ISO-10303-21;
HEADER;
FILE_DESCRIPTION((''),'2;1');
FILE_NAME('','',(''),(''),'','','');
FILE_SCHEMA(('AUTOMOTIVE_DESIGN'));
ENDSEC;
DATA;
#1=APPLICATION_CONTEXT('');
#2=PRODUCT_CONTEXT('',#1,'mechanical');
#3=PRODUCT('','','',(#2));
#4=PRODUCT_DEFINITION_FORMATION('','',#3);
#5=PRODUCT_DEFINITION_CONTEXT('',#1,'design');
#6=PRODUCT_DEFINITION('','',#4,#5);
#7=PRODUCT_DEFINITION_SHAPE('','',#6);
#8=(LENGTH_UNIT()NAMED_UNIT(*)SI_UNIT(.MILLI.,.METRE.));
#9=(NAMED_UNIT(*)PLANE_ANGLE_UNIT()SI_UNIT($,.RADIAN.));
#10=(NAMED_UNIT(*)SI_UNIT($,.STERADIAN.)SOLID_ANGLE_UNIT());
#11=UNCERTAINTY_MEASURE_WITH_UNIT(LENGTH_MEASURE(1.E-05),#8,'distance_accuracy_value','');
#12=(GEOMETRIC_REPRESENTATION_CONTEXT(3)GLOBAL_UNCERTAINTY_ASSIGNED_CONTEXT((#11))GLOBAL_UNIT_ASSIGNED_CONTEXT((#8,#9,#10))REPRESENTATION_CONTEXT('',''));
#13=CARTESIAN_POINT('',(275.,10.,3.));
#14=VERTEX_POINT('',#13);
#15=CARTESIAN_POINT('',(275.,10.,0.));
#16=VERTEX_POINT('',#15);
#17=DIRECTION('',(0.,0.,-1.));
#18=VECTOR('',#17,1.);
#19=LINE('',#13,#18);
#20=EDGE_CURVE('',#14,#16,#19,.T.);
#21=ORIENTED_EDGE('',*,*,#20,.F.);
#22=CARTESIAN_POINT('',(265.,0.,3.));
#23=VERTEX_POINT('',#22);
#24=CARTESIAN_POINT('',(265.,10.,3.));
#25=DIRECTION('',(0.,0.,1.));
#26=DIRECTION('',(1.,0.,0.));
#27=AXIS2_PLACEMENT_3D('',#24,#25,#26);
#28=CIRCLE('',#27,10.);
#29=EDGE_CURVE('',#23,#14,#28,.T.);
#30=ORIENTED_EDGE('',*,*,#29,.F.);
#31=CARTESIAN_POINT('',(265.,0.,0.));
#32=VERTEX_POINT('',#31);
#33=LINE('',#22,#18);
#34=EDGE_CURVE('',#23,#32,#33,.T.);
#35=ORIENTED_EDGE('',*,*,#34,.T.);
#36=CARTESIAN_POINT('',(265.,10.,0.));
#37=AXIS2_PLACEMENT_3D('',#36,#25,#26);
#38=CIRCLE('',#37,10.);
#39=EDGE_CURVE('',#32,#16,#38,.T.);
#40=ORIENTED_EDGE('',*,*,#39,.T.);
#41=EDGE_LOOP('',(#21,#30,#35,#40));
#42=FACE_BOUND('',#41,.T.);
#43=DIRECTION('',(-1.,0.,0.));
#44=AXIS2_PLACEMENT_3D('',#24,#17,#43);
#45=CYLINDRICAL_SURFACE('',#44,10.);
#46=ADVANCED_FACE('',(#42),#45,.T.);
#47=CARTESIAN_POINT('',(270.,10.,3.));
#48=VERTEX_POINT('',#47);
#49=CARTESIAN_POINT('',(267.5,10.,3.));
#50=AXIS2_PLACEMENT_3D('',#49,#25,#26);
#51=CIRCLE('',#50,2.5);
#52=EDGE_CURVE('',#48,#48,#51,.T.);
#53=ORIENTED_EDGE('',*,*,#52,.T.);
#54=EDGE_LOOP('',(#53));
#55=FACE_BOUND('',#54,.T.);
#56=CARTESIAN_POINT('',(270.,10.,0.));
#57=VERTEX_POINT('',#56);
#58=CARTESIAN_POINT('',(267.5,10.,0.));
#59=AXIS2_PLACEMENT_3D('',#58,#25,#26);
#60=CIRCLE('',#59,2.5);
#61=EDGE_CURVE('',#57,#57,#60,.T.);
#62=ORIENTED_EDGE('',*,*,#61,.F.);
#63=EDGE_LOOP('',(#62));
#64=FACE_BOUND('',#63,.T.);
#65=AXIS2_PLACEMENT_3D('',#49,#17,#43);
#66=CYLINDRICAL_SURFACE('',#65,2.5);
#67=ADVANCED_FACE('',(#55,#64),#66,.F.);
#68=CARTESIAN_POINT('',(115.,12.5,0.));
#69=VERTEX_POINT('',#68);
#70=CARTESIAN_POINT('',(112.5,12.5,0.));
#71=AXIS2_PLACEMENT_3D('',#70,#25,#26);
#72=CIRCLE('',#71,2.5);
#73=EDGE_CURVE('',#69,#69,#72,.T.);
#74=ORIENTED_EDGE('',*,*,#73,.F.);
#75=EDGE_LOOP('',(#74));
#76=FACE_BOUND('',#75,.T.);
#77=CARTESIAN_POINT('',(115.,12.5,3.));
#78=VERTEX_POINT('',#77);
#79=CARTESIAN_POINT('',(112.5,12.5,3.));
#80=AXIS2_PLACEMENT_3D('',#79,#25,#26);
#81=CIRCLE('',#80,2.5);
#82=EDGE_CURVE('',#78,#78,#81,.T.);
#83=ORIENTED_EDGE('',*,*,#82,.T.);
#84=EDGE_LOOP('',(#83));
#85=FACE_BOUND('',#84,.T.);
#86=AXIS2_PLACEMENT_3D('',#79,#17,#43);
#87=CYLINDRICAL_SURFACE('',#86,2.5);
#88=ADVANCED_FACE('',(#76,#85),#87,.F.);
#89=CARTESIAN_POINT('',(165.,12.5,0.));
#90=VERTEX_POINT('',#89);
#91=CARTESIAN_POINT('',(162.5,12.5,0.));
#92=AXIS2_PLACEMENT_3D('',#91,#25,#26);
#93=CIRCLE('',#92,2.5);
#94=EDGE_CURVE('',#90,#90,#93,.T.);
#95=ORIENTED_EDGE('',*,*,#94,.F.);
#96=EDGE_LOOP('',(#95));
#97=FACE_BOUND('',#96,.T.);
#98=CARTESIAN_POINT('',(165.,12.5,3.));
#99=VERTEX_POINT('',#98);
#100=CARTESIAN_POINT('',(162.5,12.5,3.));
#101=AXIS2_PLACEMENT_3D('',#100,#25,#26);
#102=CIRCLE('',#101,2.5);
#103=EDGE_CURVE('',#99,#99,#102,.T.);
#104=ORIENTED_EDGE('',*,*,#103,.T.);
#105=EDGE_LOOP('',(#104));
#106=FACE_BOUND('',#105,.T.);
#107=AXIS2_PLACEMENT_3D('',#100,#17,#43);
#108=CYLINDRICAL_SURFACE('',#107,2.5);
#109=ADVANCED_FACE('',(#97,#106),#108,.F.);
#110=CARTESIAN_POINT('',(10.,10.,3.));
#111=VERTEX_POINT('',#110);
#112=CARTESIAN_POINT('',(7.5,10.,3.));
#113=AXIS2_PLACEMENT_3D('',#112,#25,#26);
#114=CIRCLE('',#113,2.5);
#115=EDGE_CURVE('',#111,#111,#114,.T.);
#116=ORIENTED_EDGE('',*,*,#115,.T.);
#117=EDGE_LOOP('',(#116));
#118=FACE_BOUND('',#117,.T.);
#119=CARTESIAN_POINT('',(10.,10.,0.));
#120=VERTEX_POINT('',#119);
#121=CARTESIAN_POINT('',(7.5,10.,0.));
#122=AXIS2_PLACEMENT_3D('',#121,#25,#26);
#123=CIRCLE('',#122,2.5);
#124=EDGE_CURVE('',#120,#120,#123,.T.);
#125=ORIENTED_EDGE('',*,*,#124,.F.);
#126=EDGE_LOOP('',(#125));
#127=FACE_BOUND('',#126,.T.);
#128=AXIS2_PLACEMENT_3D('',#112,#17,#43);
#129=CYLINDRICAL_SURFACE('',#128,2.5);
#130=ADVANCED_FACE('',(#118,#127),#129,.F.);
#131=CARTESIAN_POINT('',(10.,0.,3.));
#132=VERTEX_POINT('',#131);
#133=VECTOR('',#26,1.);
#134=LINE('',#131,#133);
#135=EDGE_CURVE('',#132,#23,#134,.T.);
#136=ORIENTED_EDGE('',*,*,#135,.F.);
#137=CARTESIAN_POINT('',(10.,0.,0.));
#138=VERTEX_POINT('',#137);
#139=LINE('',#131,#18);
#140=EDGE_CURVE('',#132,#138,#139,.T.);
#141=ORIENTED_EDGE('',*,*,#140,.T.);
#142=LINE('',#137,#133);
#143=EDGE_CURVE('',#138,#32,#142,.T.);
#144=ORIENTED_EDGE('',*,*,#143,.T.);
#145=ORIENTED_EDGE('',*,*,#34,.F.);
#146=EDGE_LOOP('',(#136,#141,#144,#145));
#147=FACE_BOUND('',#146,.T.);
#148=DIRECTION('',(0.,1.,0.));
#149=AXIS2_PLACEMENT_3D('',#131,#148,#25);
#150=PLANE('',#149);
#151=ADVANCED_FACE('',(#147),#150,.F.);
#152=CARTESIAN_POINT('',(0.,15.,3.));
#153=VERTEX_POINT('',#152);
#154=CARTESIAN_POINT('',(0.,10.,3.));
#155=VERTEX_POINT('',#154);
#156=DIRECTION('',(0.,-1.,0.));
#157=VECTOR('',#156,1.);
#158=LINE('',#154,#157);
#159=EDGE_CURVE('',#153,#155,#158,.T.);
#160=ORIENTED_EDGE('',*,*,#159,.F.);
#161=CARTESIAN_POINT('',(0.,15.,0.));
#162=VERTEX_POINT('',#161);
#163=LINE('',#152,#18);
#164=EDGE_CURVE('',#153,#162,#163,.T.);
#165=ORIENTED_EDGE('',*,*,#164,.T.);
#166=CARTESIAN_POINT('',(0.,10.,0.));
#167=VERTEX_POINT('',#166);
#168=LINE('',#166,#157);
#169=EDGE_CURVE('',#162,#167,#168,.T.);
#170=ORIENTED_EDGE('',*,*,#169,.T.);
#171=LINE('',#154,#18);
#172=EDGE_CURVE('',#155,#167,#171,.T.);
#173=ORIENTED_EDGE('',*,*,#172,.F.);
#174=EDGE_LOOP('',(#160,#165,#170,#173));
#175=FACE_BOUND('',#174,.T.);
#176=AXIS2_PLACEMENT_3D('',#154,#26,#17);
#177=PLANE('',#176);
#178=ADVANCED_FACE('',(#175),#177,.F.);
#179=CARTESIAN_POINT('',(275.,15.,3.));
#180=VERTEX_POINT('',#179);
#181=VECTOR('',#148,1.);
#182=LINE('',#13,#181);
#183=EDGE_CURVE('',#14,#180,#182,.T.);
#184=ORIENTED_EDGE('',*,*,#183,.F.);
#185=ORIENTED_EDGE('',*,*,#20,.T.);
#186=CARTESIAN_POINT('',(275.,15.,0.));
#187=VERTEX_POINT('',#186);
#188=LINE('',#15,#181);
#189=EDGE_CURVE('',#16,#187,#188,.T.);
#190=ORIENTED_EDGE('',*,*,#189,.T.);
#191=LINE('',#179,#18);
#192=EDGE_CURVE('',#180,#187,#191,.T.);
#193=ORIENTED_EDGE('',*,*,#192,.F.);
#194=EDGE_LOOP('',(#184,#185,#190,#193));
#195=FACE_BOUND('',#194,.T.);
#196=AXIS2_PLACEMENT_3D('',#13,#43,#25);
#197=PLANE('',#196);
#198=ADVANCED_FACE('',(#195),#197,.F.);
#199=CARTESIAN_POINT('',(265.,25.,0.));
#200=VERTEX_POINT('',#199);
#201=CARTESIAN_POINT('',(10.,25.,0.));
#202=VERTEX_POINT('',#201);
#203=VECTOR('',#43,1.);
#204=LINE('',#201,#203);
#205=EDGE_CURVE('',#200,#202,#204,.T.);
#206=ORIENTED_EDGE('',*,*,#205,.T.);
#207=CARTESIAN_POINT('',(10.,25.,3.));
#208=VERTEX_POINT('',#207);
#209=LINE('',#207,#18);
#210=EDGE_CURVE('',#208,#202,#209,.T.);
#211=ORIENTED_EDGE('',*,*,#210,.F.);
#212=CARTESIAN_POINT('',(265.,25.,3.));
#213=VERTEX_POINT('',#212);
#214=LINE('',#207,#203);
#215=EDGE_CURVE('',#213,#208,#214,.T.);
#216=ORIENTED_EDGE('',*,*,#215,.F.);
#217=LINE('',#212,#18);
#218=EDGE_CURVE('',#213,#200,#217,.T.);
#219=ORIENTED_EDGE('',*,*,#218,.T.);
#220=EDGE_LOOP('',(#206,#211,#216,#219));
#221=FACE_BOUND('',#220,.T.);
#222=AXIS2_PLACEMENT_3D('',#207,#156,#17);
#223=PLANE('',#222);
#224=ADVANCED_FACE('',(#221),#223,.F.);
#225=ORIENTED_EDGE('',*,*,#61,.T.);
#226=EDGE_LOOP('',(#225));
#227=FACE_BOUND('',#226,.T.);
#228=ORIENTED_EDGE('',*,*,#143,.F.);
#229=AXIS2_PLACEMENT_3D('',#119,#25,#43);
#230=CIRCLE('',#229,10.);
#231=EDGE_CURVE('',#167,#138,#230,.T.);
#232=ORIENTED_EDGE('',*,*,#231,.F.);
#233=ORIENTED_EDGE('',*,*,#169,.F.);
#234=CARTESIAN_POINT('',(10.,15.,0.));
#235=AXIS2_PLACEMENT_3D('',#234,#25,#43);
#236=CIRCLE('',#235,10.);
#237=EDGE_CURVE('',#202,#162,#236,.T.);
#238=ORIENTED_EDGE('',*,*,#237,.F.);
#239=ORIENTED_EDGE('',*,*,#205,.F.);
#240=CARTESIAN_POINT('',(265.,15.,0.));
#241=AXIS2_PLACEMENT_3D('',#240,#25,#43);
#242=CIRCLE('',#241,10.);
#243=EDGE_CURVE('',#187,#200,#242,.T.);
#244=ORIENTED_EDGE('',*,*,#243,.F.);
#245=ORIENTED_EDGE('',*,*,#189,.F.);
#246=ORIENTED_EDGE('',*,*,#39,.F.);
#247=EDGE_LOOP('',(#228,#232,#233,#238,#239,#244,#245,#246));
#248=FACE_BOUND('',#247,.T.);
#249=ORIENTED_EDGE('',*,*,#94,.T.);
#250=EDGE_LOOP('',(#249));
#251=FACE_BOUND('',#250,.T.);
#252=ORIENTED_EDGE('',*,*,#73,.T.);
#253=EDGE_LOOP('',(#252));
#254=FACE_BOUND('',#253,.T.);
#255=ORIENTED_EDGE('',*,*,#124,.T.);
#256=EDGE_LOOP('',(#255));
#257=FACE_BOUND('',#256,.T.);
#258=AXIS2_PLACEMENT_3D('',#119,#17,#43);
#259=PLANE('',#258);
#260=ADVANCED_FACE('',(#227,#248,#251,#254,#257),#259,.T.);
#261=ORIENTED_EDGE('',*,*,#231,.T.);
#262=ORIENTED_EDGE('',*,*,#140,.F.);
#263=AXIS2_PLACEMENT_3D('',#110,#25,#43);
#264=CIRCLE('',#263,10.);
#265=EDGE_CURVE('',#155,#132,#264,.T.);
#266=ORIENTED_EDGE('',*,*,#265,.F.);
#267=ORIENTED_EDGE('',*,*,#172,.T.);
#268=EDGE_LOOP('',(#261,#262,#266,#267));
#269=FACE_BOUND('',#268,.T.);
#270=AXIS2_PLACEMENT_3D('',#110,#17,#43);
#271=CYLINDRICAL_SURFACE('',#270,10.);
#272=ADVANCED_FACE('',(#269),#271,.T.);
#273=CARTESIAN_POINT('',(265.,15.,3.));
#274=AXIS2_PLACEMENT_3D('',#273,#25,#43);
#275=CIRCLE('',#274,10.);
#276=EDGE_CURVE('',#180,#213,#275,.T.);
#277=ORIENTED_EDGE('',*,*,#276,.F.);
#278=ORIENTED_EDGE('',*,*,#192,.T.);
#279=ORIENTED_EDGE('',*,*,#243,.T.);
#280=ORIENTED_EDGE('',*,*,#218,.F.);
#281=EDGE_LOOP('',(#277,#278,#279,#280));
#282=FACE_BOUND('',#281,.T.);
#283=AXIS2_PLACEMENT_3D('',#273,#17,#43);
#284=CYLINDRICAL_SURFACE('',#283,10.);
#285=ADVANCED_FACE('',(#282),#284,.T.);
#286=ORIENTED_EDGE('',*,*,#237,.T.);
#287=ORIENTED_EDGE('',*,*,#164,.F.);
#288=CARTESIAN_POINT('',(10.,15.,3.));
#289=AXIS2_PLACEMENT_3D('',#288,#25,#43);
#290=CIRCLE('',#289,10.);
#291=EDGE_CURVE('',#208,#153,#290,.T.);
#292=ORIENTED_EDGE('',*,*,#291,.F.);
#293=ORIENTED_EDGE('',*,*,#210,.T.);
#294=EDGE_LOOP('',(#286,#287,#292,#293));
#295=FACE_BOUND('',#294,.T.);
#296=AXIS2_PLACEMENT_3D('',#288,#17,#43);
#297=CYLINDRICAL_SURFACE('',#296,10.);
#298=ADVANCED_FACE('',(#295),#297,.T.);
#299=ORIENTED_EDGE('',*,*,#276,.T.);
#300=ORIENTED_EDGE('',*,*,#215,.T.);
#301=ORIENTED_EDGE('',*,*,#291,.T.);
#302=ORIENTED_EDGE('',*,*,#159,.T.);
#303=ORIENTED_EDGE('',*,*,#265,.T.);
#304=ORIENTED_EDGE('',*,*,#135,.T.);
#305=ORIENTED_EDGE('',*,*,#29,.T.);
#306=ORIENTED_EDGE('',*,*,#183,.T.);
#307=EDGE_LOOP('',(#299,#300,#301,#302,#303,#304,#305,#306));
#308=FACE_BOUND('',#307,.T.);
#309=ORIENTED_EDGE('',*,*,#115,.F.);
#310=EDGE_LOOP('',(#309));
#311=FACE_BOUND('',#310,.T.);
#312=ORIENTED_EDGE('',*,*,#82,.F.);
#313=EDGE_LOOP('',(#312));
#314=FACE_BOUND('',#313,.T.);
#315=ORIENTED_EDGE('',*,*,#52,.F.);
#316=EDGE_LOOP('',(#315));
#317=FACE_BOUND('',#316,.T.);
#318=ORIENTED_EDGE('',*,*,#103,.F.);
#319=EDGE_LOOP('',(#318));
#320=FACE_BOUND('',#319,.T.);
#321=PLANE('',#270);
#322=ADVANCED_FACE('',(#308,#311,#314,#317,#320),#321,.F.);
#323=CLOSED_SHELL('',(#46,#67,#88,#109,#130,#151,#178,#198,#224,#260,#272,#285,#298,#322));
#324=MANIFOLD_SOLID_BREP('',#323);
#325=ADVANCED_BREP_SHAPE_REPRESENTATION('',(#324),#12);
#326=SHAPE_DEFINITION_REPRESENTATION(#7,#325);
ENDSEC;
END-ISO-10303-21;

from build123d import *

# Parameters (mm, degrees)
SKETCH1_R           = 2.5
BOSS_EXTRUDE1_DEPTH = 3


with BuildPart() as part:
    # Sketch1 → Boss-Extrude1 (new body)
    with BuildSketch(Plane.XY):
        with BuildLine():
            Line((10, 0), (265, 0))
            ThreePointArc((265, 0), (272.071067812, 2.928932188), (275, 10))
            Line((275, 10), (275, 15))
            ThreePointArc((275, 15), (272.071067812, 22.071067812), (265, 25))
            Line((265, 25), (10, 25))
            ThreePointArc((10, 25), (2.928932188, 22.071067812), (0, 15))
            Line((0, 15), (0, 10))
            ThreePointArc((0, 10), (2.928932188, 2.928932188), (10, 0))
        make_face()
        with Locations((267.5, 10)):
            Circle(SKETCH1_R, mode=Mode.SUBTRACT)
        with Locations((7.5, 10)):
            Circle(SKETCH1_R, mode=Mode.SUBTRACT)
        with Locations((112.5, 12.5)):
            Circle(SKETCH1_R, mode=Mode.SUBTRACT)
        with Locations((162.5, 12.5)):
            Circle(SKETCH1_R, mode=Mode.SUBTRACT)
    extrude(amount=BOSS_EXTRUDE1_DEPTH)


solid = part.part
